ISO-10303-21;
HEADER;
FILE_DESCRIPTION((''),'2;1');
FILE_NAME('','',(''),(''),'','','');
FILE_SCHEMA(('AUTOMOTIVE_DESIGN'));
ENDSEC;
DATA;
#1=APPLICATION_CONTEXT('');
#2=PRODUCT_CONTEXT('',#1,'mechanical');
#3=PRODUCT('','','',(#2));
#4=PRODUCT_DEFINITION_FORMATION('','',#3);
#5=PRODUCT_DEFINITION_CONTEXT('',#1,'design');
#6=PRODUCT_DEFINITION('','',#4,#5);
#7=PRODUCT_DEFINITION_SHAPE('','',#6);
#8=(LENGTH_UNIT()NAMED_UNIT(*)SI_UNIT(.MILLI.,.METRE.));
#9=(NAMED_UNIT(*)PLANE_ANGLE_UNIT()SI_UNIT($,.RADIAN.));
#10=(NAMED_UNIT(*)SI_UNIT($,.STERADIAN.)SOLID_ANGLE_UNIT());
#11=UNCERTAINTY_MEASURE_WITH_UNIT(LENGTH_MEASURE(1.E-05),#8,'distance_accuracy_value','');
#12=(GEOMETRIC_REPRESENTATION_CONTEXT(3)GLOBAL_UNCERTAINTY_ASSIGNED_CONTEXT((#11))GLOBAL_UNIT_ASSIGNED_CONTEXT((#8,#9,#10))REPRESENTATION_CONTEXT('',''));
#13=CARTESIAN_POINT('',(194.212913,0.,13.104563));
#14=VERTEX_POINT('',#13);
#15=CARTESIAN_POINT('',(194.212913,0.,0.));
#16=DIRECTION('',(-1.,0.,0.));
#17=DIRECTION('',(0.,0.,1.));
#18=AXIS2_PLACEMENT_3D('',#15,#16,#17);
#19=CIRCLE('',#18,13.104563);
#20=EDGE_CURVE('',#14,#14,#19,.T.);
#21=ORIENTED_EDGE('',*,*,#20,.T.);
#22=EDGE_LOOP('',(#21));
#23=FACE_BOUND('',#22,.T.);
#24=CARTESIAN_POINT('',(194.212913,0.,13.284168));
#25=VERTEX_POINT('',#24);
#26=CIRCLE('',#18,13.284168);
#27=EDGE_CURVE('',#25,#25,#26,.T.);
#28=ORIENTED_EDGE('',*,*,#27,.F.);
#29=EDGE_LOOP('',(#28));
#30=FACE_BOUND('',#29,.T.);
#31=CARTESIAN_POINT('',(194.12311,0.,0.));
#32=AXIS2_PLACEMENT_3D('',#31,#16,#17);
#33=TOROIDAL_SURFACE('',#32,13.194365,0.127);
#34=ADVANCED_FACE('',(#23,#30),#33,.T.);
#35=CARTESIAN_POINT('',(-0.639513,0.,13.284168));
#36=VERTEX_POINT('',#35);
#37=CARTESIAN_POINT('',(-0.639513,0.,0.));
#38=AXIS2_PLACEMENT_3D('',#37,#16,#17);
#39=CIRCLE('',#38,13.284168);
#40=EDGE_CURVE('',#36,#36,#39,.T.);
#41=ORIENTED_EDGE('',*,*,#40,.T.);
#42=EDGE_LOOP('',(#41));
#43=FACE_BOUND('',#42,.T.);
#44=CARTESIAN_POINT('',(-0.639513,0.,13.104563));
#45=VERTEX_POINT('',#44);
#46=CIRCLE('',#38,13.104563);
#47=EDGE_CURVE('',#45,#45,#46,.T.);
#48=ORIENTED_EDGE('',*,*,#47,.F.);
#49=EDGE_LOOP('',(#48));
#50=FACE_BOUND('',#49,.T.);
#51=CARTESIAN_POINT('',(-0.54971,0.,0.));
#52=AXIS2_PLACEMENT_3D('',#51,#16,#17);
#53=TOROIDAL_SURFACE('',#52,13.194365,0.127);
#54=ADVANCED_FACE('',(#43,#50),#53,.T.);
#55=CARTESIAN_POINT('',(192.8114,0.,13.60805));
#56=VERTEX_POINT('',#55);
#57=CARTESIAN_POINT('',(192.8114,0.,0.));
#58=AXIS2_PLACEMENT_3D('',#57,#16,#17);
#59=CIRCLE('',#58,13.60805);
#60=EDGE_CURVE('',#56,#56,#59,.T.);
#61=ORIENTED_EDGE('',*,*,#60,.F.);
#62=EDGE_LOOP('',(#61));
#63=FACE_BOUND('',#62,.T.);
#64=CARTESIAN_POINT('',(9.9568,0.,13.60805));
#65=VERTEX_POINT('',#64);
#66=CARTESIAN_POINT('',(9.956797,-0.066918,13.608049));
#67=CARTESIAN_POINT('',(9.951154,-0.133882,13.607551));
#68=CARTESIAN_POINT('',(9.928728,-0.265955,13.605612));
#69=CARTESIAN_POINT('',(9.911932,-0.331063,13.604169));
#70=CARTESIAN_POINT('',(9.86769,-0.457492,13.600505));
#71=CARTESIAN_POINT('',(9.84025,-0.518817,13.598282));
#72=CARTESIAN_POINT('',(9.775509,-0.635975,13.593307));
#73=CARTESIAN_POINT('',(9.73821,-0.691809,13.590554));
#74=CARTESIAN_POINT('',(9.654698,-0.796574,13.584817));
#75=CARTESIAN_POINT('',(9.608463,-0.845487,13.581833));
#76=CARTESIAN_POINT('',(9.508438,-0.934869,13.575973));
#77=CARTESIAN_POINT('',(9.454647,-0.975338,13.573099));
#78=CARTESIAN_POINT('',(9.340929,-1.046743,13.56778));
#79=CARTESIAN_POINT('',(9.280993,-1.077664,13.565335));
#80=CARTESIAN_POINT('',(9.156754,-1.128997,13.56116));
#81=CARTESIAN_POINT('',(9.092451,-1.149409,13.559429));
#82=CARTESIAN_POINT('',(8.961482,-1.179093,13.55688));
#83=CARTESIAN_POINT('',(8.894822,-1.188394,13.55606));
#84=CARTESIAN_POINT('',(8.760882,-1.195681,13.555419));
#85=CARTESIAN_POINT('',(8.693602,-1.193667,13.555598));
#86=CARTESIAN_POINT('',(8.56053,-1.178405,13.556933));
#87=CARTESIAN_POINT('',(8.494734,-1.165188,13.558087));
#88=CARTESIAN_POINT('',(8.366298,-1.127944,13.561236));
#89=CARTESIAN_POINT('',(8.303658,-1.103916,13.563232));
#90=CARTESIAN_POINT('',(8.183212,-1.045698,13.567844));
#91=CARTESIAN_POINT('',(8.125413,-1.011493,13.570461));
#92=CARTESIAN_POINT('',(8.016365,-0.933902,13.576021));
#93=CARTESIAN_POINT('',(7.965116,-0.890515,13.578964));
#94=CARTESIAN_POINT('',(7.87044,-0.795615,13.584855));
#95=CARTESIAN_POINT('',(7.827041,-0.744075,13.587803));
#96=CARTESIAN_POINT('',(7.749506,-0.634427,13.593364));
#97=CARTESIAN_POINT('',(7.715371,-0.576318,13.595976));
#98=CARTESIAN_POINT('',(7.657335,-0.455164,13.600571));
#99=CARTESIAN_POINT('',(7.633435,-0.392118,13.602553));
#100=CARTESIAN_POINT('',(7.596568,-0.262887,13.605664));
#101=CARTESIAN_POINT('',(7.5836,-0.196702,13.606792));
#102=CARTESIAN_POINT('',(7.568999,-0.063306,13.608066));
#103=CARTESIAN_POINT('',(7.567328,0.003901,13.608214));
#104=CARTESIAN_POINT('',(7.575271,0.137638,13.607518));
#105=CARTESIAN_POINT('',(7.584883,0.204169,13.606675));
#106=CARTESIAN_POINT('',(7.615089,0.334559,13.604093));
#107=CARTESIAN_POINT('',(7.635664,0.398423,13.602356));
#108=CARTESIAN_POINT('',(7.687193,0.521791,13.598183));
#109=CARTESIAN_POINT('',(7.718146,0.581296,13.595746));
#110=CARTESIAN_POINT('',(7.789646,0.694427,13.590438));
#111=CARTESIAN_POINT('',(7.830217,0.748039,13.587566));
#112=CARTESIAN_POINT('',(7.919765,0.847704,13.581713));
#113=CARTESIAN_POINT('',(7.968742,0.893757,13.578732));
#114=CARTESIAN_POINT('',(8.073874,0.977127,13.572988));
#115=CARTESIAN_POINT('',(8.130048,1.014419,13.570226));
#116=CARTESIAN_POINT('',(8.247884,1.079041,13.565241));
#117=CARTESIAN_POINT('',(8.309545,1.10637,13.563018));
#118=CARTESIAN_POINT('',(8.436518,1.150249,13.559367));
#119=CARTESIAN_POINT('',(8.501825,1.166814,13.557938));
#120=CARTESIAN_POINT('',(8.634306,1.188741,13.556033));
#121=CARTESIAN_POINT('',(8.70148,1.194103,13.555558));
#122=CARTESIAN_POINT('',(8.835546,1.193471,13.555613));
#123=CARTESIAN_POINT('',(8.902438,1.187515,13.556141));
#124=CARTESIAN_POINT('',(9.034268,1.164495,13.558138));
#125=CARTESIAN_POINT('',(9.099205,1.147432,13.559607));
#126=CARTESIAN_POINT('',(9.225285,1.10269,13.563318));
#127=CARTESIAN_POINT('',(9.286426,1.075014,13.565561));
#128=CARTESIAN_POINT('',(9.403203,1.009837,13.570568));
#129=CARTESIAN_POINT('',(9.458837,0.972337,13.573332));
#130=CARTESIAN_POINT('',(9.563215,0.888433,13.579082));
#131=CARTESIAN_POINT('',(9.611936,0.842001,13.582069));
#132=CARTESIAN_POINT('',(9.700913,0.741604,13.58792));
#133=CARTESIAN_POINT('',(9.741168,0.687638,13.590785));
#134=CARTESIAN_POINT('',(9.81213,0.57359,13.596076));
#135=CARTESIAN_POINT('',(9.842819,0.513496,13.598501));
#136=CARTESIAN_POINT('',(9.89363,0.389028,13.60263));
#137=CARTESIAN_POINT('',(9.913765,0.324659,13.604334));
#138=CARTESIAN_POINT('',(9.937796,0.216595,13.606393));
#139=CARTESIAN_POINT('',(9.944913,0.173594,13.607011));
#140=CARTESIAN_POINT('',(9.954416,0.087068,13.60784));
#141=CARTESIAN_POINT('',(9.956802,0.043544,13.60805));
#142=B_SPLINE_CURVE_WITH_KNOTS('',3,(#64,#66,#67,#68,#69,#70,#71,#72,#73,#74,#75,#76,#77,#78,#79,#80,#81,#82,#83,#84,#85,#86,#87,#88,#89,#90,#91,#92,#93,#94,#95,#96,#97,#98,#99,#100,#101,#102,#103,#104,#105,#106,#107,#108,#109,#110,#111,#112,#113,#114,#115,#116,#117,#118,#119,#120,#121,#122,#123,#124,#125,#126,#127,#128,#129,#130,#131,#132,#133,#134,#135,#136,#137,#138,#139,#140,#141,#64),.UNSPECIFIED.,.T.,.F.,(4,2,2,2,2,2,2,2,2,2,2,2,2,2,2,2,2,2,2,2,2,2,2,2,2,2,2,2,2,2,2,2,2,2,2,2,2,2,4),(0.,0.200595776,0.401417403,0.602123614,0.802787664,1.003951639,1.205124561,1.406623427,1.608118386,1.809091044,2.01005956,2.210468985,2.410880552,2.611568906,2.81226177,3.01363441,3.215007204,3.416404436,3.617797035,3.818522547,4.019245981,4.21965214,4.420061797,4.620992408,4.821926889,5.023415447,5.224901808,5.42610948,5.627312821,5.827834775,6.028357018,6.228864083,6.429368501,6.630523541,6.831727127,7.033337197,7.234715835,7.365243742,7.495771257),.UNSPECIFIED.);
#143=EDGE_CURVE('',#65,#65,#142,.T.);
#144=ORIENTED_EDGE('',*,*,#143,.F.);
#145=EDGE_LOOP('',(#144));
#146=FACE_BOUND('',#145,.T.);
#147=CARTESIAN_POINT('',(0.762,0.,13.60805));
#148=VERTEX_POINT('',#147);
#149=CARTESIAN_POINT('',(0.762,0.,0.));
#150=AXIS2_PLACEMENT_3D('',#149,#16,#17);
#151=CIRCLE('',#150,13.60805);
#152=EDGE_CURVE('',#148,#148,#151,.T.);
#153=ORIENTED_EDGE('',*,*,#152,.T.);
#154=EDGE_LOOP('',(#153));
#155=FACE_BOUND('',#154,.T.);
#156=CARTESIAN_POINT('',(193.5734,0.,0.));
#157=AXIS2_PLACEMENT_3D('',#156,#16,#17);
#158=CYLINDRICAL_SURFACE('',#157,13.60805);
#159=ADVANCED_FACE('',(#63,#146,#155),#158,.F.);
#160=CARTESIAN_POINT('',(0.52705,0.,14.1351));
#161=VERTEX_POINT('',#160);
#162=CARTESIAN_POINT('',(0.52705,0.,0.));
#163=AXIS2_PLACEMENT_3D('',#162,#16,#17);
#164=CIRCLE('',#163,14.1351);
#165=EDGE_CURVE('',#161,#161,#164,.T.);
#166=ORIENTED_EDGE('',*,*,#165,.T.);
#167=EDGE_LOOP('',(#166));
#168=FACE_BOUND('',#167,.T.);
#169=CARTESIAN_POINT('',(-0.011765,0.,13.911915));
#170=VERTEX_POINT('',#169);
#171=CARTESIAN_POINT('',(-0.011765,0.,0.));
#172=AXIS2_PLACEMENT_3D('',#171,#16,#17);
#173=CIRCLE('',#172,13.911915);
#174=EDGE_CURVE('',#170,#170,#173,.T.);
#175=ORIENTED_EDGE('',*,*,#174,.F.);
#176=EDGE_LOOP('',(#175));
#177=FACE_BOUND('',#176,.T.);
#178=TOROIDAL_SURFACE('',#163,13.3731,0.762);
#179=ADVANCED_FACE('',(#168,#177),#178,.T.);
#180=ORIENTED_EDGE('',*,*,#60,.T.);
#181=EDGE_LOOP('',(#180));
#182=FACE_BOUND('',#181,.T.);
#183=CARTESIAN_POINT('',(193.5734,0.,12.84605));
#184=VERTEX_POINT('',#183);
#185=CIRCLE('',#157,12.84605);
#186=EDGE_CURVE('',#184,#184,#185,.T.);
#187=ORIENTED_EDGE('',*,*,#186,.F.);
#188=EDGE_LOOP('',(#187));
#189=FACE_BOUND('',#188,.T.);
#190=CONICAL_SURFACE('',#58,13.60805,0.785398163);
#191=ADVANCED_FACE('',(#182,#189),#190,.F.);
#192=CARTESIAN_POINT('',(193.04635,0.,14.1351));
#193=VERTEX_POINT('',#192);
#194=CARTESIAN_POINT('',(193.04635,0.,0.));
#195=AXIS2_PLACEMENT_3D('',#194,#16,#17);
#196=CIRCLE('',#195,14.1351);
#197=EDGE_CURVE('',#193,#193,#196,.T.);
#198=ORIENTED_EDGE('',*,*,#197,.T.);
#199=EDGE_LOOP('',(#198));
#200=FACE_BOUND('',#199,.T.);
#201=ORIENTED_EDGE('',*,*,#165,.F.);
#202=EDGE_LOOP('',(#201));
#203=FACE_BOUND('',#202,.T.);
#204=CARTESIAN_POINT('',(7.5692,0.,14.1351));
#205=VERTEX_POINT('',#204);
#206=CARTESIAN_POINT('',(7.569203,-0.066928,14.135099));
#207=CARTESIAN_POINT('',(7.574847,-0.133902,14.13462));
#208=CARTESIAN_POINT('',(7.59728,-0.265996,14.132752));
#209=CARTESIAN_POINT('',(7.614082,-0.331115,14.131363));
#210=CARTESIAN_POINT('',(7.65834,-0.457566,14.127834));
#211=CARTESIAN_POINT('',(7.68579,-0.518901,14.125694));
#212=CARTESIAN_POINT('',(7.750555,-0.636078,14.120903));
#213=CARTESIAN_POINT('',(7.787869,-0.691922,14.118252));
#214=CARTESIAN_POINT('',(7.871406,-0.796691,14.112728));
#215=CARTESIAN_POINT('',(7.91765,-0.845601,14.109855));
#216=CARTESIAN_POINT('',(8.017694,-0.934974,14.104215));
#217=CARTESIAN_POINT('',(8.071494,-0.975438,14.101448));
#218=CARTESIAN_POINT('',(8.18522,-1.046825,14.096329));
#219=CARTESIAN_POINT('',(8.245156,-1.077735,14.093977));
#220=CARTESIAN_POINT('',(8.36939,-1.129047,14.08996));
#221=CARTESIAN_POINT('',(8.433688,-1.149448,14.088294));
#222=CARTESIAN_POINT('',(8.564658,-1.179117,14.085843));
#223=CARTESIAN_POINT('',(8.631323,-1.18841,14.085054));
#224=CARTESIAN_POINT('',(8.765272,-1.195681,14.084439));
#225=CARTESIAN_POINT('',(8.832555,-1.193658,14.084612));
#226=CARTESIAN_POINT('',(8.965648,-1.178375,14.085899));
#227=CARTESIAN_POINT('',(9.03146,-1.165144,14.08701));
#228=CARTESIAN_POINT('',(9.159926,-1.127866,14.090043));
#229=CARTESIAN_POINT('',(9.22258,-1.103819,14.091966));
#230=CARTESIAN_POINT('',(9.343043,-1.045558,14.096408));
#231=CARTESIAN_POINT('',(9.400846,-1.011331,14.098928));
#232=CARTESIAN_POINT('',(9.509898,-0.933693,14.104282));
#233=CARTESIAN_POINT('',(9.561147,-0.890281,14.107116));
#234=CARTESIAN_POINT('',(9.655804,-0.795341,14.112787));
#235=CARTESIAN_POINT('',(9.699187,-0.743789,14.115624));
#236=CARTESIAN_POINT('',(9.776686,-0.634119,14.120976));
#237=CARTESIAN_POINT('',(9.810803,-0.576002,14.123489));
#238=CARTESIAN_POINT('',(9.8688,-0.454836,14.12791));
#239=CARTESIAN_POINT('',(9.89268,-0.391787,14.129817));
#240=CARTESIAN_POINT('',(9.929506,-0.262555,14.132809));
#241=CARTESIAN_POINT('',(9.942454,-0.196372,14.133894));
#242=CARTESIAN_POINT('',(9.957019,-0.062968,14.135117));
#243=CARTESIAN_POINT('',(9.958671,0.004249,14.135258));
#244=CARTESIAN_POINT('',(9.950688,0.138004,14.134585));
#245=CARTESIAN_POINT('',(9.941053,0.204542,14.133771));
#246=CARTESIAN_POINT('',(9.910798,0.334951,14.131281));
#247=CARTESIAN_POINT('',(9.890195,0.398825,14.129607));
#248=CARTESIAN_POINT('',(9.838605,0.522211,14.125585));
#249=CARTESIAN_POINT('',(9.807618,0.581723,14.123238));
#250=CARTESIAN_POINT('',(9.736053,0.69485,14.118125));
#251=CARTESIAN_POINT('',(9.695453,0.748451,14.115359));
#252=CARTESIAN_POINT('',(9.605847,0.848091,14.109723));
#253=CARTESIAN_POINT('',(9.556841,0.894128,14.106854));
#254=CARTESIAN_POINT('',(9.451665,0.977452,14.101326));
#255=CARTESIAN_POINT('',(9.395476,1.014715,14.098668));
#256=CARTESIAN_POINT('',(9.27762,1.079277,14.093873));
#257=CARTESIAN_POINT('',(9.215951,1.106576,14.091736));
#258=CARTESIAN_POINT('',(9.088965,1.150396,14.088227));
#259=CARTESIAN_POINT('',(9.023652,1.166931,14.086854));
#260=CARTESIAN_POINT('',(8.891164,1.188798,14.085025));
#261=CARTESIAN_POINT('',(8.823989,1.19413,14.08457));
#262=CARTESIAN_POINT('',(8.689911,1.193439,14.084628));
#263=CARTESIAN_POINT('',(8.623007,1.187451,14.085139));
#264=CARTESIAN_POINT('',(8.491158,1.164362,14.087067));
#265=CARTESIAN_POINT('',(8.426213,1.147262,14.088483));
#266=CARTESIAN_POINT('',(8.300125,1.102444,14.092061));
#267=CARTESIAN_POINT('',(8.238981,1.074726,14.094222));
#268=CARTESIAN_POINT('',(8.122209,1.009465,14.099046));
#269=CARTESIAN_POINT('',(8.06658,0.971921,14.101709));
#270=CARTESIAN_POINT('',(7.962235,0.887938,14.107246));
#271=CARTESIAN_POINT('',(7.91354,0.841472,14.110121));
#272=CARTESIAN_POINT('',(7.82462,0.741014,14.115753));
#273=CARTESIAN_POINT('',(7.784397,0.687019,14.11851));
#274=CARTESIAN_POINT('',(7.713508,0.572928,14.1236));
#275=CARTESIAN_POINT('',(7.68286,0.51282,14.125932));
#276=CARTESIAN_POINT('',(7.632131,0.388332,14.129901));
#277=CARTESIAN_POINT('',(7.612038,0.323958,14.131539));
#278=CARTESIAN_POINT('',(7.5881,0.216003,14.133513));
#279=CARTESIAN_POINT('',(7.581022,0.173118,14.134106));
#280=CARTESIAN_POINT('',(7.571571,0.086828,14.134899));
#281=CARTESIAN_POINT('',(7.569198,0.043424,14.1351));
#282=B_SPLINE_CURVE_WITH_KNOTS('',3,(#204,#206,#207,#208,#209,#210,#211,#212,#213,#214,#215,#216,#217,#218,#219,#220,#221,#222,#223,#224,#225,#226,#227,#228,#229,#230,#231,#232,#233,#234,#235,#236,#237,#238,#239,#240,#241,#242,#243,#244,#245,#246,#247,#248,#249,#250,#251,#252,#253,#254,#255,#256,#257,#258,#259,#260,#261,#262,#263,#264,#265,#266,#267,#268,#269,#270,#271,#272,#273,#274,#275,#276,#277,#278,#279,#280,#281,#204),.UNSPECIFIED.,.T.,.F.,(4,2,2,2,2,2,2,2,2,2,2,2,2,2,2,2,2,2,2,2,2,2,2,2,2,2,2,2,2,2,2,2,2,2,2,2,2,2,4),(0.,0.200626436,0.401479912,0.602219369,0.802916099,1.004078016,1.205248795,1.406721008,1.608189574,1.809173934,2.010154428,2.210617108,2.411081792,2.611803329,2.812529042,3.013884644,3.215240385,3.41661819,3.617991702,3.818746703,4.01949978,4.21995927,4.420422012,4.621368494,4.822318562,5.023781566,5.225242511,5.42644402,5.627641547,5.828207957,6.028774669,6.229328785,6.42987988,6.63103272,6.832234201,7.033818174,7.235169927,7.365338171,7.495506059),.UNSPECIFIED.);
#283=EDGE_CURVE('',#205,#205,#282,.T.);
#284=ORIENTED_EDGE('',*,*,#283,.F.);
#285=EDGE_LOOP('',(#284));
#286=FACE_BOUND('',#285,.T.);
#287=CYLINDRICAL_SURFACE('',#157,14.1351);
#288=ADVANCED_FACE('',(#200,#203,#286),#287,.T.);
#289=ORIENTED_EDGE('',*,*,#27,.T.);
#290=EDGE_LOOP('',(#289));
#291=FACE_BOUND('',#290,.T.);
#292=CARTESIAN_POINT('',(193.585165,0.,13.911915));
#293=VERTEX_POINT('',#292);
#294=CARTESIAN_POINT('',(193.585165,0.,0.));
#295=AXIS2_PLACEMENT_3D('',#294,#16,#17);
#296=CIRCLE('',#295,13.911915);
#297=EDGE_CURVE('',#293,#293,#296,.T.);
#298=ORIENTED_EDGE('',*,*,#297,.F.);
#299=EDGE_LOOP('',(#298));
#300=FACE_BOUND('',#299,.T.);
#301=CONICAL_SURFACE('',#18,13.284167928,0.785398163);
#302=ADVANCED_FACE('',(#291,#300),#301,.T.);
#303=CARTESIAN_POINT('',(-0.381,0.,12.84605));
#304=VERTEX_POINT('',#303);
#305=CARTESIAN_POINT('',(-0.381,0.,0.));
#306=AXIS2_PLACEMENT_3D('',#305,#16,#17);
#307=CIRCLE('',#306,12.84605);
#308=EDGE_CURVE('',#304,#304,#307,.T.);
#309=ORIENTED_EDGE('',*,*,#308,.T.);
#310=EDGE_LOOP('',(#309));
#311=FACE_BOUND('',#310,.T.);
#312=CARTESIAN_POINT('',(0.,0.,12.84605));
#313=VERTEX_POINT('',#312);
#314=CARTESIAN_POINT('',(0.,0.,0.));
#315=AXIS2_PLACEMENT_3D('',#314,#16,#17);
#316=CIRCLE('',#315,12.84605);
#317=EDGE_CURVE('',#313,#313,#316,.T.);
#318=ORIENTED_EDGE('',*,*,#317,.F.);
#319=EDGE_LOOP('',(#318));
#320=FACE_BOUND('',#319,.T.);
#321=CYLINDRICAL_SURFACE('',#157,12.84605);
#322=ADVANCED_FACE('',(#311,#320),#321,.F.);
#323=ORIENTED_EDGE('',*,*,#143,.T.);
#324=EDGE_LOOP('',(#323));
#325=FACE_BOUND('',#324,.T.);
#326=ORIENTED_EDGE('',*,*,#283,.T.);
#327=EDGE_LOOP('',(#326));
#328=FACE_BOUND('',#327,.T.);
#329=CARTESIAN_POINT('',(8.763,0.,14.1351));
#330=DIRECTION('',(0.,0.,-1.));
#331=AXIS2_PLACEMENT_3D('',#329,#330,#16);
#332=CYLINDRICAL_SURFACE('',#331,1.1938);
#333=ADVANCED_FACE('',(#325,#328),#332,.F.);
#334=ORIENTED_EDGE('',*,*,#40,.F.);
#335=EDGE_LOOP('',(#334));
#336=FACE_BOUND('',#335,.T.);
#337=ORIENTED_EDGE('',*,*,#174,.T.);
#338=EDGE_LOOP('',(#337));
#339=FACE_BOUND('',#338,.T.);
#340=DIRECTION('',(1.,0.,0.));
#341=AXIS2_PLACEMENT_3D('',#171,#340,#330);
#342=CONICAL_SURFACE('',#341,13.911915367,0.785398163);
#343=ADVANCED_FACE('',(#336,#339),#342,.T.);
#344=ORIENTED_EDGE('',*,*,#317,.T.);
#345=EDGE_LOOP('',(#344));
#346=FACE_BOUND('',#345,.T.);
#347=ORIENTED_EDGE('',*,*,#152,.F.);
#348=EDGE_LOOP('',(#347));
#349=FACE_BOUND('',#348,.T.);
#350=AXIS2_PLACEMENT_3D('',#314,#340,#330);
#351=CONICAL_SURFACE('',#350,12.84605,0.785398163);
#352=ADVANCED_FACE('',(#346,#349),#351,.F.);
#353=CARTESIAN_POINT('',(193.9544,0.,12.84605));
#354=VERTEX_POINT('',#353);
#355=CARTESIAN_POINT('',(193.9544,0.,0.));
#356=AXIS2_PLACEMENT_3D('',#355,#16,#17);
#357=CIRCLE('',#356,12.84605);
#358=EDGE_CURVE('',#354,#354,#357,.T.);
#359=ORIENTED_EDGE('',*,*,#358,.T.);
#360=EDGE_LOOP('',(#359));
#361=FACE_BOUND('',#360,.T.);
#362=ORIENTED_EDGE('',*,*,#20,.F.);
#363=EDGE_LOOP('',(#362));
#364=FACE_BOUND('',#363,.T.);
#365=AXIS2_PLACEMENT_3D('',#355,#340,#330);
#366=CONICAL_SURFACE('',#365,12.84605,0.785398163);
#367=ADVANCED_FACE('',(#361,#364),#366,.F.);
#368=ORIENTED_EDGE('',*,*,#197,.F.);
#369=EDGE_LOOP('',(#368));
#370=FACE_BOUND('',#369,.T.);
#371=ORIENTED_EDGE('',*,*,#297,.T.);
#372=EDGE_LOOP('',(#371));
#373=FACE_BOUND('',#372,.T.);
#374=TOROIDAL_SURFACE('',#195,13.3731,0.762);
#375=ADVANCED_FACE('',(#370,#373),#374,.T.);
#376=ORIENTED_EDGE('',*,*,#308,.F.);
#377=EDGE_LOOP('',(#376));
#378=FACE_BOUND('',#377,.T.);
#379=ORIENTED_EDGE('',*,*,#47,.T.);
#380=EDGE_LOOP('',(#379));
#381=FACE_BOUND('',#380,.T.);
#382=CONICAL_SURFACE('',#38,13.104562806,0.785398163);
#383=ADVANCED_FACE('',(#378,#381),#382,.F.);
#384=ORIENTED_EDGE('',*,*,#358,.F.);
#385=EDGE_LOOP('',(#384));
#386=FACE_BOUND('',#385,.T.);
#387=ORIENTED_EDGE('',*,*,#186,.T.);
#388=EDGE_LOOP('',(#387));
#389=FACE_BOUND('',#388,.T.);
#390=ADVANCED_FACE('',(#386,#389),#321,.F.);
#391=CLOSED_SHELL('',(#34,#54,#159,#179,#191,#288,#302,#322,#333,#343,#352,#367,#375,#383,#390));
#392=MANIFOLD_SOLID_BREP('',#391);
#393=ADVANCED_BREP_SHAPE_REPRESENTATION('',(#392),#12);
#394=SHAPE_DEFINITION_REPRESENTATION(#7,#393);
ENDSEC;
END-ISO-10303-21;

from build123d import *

# Parameters (mm, degrees)
SKETCH2_R          = 1.1938
CUT_EXTRUDE1_DEPTH = 14.1351


with BuildPart() as part:
    # Sketch1 → Revolve1 (revolve)
    with BuildSketch(Plane.XY):
        with BuildLine():
            Line((-0.639512806, 13.104562806), (-0.381, 12.84605))
            Line((-0.381, 12.84605), (0, 12.84605))
            Line((0, 12.84605), (0.762, 13.60805))
            Line((0.762, 13.60805), (192.8114, 13.60805))
            Line((192.8114, 13.60805), (193.5734, 12.84605))
            Line((193.5734, 12.84605), (193.9544, 12.84605))
            Line((193.9544, 12.84605), (194.212912806, 13.104562806))
            ThreePointArc((194.212912806, 13.104562806), (194.250110245, 13.194365367), (194.212912806, 13.284167928))
            Line((194.212912806, 13.284167928), (193.585165367, 13.911915367))
            ThreePointArc((193.585165367, 13.911915367), (193.337954775, 14.077096204), (193.04635, 14.1351))
            Line((193.04635, 14.1351), (0.52705, 14.1351))
            ThreePointArc((0.52705, 14.1351), (0.235445225, 14.077096204), (-0.011765367, 13.911915367))
            Line((-0.011765367, 13.911915367), (-0.639512806, 13.284167928))
            ThreePointArc((-0.639512806, 13.284167928), (-0.676710245, 13.194365367), (-0.639512806, 13.104562806))
        make_face()
    revolve(axis=Axis((193.5734, 0, 0), (-1, 0, 0)))

    # Sketch2 → Cut-Extrude1 (cut)
    with BuildSketch(Plane.XY):
        with Locations((8.763, 0)):
            Circle(SKETCH2_R)
    extrude(amount=CUT_EXTRUDE1_DEPTH, mode=Mode.SUBTRACT)


solid = part.part
